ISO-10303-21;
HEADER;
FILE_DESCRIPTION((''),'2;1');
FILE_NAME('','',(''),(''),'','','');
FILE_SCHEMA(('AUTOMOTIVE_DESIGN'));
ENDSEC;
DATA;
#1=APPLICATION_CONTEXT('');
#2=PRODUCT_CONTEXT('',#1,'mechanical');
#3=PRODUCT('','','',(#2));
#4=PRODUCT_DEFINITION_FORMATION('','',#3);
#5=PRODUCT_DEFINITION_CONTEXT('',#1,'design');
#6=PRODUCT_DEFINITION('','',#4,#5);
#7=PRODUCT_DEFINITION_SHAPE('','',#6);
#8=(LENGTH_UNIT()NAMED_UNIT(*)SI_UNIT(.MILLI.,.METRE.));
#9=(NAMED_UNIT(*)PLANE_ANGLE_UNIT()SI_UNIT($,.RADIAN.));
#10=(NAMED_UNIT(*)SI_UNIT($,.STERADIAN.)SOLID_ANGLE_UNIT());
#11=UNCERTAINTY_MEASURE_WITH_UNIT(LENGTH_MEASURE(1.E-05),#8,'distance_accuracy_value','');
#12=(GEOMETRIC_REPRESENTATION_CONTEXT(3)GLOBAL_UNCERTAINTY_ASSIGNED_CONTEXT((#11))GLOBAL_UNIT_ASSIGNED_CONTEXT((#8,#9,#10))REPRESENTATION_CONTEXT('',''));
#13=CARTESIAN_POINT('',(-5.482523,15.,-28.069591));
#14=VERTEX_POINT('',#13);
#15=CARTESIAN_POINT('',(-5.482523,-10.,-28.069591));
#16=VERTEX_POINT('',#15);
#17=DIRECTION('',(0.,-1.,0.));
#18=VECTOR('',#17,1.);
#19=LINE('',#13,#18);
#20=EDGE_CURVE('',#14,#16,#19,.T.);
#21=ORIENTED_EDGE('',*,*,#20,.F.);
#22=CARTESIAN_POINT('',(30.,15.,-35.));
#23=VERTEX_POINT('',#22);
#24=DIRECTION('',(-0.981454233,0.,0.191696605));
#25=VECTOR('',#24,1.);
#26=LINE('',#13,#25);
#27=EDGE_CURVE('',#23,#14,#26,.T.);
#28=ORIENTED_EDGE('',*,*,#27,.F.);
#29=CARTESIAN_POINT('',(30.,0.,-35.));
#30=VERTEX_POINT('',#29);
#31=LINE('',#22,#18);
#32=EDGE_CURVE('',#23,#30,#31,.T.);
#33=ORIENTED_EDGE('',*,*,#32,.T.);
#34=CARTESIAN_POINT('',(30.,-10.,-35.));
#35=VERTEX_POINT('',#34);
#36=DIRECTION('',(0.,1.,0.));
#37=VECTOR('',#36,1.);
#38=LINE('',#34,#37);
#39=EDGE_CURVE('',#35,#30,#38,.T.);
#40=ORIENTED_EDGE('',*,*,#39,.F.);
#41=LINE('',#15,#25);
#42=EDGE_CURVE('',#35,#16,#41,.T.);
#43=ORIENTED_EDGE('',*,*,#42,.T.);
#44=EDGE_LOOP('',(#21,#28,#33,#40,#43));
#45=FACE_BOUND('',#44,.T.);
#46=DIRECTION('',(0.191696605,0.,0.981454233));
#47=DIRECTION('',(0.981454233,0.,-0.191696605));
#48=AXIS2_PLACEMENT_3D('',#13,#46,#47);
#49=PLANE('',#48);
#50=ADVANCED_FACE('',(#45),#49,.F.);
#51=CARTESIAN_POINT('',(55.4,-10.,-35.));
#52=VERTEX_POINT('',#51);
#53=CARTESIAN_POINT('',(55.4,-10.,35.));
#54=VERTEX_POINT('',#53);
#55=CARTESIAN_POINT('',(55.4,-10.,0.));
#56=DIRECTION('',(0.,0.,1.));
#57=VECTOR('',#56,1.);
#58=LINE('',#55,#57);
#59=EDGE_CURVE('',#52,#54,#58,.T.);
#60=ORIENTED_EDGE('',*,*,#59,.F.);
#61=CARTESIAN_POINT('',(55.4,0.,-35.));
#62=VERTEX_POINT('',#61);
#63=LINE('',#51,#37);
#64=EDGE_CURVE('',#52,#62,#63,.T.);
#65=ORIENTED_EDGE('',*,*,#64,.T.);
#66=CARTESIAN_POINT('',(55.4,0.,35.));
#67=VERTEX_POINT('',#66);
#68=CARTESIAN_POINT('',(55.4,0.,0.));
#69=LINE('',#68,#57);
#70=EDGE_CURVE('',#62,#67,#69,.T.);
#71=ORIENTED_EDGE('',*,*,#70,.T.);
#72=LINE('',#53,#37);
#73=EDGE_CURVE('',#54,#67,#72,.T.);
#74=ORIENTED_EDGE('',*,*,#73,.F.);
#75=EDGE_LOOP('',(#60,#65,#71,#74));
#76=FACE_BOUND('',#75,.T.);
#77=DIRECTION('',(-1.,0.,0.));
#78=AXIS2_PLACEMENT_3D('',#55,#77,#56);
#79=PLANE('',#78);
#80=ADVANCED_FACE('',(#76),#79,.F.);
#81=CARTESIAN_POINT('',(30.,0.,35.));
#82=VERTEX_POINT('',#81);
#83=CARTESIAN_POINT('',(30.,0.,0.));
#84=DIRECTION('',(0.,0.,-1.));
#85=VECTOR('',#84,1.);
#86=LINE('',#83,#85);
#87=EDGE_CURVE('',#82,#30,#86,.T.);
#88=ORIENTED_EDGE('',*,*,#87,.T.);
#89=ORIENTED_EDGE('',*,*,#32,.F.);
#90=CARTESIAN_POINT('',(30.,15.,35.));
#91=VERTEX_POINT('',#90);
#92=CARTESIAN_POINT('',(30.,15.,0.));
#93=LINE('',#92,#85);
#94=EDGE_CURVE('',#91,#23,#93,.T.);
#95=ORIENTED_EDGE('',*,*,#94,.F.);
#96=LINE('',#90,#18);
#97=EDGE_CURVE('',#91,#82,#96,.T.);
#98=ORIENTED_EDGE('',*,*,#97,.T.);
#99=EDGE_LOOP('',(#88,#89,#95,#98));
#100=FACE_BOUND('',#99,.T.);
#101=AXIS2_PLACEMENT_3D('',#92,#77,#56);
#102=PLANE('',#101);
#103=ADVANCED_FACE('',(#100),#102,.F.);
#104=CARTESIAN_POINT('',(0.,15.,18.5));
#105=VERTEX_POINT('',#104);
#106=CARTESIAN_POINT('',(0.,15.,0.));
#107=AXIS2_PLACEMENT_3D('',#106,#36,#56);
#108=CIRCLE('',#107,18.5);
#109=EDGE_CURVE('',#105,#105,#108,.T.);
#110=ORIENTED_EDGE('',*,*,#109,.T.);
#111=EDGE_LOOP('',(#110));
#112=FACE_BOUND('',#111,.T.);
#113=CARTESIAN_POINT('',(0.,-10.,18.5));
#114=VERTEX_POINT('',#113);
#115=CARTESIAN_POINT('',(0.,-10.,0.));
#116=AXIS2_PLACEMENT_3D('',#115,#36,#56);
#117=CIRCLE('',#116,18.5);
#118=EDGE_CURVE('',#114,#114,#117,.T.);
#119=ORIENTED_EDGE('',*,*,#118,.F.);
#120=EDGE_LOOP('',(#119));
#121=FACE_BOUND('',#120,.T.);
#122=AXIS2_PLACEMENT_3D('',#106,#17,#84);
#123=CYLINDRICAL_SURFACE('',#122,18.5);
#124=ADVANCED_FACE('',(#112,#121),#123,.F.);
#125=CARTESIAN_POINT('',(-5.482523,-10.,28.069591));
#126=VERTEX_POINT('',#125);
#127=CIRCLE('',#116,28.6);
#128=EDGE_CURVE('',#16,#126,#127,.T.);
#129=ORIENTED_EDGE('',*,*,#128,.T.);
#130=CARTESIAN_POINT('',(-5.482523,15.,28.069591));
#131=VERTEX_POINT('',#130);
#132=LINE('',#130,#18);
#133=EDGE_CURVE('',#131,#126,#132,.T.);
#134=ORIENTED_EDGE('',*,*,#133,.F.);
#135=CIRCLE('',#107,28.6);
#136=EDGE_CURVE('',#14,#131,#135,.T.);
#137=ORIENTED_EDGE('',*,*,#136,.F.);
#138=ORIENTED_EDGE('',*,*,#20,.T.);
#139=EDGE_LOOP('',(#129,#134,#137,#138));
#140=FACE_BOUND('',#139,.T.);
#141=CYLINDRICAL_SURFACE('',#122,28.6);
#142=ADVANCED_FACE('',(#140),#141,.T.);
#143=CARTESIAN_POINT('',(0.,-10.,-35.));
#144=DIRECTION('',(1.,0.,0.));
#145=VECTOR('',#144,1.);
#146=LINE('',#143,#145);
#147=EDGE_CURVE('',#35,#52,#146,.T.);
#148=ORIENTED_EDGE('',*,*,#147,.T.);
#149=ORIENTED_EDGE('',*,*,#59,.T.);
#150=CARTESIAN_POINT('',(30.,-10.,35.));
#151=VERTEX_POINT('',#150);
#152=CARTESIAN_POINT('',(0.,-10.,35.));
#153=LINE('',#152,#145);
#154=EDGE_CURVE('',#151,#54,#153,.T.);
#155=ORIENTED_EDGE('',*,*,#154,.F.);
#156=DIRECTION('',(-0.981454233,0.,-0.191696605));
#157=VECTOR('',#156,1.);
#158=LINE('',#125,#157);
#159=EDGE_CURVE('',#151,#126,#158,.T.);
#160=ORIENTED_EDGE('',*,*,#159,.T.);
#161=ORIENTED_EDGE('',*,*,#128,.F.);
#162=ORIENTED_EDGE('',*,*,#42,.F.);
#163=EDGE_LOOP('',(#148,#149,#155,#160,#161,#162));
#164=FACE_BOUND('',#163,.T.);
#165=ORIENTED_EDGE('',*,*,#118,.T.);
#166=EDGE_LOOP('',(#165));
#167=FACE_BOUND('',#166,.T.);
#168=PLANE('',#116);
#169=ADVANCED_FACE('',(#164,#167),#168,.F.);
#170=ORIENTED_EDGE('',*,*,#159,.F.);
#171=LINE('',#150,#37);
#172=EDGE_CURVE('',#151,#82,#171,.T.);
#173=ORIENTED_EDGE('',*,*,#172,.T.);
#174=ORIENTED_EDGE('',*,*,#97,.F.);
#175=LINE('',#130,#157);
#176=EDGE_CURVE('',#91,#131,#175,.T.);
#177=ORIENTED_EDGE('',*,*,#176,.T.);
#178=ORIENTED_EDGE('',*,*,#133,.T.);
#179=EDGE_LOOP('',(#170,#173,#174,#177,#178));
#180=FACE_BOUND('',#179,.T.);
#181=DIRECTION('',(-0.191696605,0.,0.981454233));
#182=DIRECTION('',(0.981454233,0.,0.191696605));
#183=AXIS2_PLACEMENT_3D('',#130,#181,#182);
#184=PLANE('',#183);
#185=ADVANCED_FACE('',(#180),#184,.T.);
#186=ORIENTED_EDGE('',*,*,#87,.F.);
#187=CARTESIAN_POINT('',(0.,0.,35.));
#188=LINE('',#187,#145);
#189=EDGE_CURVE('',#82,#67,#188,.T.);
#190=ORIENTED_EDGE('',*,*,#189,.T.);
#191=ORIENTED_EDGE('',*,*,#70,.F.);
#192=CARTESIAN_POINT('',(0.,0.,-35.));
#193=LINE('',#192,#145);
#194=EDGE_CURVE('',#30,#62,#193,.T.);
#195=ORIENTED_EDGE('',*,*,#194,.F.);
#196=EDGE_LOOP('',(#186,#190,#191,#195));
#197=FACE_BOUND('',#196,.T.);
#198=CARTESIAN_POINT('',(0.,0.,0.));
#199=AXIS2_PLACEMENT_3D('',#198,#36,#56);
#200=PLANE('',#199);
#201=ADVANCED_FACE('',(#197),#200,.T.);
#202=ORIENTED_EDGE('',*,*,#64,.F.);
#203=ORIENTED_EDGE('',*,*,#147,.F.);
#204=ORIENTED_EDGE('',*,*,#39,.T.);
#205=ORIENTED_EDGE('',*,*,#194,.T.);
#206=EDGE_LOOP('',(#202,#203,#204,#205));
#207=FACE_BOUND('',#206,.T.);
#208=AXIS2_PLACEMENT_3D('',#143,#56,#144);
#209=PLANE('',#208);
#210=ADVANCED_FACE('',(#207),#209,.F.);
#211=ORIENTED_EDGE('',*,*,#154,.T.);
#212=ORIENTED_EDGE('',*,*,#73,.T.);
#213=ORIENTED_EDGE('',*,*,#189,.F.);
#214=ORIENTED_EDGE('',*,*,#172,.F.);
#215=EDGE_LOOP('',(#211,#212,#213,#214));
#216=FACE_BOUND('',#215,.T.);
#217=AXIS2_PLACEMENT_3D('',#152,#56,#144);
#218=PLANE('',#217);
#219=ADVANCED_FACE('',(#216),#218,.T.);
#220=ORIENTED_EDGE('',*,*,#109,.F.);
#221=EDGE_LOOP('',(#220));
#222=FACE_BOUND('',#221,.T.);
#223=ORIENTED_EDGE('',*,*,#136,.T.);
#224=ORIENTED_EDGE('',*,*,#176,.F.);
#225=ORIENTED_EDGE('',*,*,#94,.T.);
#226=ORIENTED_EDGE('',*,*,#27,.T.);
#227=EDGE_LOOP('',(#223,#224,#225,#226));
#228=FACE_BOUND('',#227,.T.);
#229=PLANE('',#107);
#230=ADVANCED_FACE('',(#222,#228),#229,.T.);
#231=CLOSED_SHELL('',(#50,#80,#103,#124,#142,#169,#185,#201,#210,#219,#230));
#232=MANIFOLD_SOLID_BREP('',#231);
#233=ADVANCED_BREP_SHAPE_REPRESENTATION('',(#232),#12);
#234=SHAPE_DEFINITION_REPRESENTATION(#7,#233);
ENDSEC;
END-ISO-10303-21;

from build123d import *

# Parameters (mm, degrees)
SKETCH1_R           = 18.5
BOSS_EXTRUDE2_DEPTH = 15
BOSS_EXTRUDE3_START = -10
SKETCH1_3_R         = 18.5
BOSS_EXTRUDE3_DEPTH = 10


with BuildPart() as part:
    # Sketch1 → Boss-Extrude2 (new body)
    with BuildSketch(Plane(origin=(0, 0, 0), x_dir=(1, 0, 0), z_dir=(0, 1, 0))):
        with BuildLine():
            Line((-5.482522909, -28.069591065), (30, -35))
            Line((30, -35), (30, 35))
            Line((30, 35), (-5.482522909, 28.069591065))
            ThreePointArc((-5.482522909, 28.069591065), (-28.6, 0), (-5.482522909, -28.069591065))
        make_face()
        Circle(SKETCH1_R, mode=Mode.SUBTRACT)
    extrude(amount=BOSS_EXTRUDE2_DEPTH)

    # Sketch1<3> → Boss-Extrude3 (add)
    with BuildSketch(Plane(origin=(0, 0, 0), x_dir=(1, 0, 0), z_dir=(0, 1, 0)).offset(BOSS_EXTRUDE3_START)):
        with BuildLine():
            Line((-5.482522909, -28.069591065), (30, -35))
            Line((30, -35), (55.4, -35))
            Line((55.4, -35), (55.4, 35))
            Line((55.4, 35), (30, 35))
            Line((30, 35), (-5.482522909, 28.069591065))
            ThreePointArc((-5.482522909, 28.069591065), (-28.6, 0), (-5.482522909, -28.069591065))
        make_face()
        Circle(SKETCH1_3_R, mode=Mode.SUBTRACT)
    extrude(amount=BOSS_EXTRUDE3_DEPTH)


solid = part.part
